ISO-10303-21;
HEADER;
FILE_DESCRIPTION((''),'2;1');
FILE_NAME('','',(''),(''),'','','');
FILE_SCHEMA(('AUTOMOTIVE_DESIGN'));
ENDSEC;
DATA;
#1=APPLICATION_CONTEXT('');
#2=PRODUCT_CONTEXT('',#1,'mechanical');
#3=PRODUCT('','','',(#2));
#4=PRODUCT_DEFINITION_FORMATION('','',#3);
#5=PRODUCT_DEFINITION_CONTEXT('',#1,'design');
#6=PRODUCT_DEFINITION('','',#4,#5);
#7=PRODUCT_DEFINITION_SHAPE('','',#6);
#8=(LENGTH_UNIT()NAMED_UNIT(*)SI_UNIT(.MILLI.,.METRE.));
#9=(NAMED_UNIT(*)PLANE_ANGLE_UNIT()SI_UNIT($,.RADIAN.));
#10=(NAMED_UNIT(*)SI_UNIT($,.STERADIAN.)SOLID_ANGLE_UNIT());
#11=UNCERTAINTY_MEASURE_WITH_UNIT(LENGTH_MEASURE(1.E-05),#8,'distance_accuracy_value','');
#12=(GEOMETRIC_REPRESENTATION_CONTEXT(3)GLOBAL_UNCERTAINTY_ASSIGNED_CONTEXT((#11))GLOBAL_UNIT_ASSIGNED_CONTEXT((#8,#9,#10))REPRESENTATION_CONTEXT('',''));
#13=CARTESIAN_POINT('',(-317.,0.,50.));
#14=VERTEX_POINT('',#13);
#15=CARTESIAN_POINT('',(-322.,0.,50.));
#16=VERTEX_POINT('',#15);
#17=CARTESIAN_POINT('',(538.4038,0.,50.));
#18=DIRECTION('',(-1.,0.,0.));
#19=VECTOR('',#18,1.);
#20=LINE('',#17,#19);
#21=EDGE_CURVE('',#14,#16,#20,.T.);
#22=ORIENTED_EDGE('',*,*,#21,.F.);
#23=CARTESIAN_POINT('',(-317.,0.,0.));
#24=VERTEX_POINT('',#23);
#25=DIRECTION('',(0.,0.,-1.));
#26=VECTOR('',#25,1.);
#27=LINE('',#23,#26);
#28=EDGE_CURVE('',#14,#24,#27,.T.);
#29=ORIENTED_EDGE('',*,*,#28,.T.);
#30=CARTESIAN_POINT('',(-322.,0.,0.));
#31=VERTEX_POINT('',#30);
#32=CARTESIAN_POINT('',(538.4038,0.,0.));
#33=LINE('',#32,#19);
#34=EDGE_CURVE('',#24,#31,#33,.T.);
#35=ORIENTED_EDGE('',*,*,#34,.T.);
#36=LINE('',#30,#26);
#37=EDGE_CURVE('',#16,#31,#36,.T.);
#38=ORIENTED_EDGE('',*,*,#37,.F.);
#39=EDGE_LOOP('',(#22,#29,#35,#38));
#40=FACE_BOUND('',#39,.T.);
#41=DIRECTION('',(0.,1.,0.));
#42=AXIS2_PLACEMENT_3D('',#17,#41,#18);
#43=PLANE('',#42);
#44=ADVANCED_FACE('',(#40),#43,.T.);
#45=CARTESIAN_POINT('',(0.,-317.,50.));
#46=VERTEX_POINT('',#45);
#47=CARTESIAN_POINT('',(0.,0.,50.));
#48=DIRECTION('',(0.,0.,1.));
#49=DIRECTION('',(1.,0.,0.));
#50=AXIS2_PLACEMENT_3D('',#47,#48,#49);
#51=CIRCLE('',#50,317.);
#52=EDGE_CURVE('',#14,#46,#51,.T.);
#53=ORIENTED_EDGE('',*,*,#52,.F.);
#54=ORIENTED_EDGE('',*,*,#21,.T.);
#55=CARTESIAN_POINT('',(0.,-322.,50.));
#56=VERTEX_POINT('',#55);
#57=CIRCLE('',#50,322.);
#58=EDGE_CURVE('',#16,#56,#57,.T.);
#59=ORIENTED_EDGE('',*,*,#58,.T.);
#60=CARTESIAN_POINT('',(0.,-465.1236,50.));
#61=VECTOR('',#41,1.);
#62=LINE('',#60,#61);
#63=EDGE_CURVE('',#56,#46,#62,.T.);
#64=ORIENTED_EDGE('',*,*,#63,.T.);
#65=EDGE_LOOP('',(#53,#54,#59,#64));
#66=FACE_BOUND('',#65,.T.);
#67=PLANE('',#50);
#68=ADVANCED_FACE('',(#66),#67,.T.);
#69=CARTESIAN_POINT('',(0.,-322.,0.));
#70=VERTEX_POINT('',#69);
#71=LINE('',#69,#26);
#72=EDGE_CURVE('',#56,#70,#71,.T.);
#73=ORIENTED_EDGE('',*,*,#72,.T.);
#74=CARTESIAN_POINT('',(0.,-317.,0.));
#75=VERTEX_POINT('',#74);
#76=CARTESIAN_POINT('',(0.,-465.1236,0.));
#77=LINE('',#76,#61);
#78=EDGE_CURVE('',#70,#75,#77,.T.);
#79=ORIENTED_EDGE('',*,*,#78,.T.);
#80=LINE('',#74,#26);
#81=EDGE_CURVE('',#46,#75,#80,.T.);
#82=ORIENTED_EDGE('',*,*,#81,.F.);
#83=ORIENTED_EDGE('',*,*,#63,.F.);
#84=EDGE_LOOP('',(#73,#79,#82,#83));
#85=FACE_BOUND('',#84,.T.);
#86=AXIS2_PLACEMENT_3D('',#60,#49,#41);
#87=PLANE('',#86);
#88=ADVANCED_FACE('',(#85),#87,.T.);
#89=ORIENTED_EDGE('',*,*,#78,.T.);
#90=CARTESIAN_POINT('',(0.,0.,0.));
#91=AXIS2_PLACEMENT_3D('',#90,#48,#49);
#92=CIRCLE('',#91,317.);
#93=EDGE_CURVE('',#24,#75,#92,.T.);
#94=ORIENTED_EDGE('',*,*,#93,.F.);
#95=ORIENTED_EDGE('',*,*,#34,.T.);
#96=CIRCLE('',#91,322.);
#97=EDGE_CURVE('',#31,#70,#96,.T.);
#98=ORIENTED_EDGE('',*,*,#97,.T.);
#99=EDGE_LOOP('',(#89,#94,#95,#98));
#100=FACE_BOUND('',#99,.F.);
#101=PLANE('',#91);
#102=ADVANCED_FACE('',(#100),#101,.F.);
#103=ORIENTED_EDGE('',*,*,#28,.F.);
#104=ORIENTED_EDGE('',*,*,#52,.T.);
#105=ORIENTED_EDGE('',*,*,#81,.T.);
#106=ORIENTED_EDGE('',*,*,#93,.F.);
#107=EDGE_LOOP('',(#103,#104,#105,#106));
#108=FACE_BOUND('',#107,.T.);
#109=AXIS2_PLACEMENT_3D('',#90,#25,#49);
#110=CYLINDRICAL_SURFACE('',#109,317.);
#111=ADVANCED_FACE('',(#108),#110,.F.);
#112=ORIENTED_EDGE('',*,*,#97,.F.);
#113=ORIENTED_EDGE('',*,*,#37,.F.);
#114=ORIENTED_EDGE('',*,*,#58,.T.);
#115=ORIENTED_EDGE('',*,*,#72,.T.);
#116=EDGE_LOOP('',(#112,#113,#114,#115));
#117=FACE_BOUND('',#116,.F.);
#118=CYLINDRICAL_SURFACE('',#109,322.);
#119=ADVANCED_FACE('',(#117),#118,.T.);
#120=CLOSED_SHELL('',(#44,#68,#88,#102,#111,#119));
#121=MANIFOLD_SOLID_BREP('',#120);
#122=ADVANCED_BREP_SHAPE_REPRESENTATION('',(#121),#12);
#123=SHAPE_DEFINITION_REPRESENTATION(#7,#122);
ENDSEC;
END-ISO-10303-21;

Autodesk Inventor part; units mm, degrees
ref_plane "YZ Plane" through (0, 0, 0) normal (1, 0, 0) x (0, 1, 0)
ref_plane "XZ Plane" through (0, 0, 0) normal (0, 1, 0) x (-1, 0, 0)
ref_plane "XY Plane" through (0, 0, 0) normal (0, 0, 1) x (1, 0, 0)
sketch "草圖1" plane through (0, 0, 0) normal (0, 0, 1) x (1, 0, 0)
  circle A0 centre (0, 0) radius 317
  circle A1 centre (0, 0) radius 322
  dimension "d0" = 634
  dimension "d1" = 644
extrude "擠出1" add sketch "草圖1" along normal blind 50
sketch "草圖2" plane through (0, 0, 50) normal (0, 0, 1) x (1, 0, 0)
  line L0 (-488.5314, 349.6941) -> (538.4038, 349.6941)
  line L1 (538.4038, 349.6941) -> (538.4038, 0)
  line L2 (538.4038, 0) -> (-488.5314, 0)
  line L3 (-488.5314, 0) -> (-488.5314, 349.6941)
  point P0 (0, 0)
  dimension "d4" = 0
extrude "擠出2" cut sketch "草圖2" against normal blind 50
sketch "草圖3" plane through (0, 0, 50) normal (0, 0, 1) x (1, 0, 0)
  line L0 (0, 139.236) -> (398.1663, 139.236)
  line L1 (398.1663, 139.236) -> (398.1663, -465.1236)
  line L2 (398.1663, -465.1236) -> (0, -465.1236)
  line L3 (0, -465.1236) -> (0, 139.236)
  point P0 (0, 0)
  dimension "d7" = 0
extrude "擠出3" cut sketch "草圖3" against normal blind 50
properties part number "鋁底板-半圓"
